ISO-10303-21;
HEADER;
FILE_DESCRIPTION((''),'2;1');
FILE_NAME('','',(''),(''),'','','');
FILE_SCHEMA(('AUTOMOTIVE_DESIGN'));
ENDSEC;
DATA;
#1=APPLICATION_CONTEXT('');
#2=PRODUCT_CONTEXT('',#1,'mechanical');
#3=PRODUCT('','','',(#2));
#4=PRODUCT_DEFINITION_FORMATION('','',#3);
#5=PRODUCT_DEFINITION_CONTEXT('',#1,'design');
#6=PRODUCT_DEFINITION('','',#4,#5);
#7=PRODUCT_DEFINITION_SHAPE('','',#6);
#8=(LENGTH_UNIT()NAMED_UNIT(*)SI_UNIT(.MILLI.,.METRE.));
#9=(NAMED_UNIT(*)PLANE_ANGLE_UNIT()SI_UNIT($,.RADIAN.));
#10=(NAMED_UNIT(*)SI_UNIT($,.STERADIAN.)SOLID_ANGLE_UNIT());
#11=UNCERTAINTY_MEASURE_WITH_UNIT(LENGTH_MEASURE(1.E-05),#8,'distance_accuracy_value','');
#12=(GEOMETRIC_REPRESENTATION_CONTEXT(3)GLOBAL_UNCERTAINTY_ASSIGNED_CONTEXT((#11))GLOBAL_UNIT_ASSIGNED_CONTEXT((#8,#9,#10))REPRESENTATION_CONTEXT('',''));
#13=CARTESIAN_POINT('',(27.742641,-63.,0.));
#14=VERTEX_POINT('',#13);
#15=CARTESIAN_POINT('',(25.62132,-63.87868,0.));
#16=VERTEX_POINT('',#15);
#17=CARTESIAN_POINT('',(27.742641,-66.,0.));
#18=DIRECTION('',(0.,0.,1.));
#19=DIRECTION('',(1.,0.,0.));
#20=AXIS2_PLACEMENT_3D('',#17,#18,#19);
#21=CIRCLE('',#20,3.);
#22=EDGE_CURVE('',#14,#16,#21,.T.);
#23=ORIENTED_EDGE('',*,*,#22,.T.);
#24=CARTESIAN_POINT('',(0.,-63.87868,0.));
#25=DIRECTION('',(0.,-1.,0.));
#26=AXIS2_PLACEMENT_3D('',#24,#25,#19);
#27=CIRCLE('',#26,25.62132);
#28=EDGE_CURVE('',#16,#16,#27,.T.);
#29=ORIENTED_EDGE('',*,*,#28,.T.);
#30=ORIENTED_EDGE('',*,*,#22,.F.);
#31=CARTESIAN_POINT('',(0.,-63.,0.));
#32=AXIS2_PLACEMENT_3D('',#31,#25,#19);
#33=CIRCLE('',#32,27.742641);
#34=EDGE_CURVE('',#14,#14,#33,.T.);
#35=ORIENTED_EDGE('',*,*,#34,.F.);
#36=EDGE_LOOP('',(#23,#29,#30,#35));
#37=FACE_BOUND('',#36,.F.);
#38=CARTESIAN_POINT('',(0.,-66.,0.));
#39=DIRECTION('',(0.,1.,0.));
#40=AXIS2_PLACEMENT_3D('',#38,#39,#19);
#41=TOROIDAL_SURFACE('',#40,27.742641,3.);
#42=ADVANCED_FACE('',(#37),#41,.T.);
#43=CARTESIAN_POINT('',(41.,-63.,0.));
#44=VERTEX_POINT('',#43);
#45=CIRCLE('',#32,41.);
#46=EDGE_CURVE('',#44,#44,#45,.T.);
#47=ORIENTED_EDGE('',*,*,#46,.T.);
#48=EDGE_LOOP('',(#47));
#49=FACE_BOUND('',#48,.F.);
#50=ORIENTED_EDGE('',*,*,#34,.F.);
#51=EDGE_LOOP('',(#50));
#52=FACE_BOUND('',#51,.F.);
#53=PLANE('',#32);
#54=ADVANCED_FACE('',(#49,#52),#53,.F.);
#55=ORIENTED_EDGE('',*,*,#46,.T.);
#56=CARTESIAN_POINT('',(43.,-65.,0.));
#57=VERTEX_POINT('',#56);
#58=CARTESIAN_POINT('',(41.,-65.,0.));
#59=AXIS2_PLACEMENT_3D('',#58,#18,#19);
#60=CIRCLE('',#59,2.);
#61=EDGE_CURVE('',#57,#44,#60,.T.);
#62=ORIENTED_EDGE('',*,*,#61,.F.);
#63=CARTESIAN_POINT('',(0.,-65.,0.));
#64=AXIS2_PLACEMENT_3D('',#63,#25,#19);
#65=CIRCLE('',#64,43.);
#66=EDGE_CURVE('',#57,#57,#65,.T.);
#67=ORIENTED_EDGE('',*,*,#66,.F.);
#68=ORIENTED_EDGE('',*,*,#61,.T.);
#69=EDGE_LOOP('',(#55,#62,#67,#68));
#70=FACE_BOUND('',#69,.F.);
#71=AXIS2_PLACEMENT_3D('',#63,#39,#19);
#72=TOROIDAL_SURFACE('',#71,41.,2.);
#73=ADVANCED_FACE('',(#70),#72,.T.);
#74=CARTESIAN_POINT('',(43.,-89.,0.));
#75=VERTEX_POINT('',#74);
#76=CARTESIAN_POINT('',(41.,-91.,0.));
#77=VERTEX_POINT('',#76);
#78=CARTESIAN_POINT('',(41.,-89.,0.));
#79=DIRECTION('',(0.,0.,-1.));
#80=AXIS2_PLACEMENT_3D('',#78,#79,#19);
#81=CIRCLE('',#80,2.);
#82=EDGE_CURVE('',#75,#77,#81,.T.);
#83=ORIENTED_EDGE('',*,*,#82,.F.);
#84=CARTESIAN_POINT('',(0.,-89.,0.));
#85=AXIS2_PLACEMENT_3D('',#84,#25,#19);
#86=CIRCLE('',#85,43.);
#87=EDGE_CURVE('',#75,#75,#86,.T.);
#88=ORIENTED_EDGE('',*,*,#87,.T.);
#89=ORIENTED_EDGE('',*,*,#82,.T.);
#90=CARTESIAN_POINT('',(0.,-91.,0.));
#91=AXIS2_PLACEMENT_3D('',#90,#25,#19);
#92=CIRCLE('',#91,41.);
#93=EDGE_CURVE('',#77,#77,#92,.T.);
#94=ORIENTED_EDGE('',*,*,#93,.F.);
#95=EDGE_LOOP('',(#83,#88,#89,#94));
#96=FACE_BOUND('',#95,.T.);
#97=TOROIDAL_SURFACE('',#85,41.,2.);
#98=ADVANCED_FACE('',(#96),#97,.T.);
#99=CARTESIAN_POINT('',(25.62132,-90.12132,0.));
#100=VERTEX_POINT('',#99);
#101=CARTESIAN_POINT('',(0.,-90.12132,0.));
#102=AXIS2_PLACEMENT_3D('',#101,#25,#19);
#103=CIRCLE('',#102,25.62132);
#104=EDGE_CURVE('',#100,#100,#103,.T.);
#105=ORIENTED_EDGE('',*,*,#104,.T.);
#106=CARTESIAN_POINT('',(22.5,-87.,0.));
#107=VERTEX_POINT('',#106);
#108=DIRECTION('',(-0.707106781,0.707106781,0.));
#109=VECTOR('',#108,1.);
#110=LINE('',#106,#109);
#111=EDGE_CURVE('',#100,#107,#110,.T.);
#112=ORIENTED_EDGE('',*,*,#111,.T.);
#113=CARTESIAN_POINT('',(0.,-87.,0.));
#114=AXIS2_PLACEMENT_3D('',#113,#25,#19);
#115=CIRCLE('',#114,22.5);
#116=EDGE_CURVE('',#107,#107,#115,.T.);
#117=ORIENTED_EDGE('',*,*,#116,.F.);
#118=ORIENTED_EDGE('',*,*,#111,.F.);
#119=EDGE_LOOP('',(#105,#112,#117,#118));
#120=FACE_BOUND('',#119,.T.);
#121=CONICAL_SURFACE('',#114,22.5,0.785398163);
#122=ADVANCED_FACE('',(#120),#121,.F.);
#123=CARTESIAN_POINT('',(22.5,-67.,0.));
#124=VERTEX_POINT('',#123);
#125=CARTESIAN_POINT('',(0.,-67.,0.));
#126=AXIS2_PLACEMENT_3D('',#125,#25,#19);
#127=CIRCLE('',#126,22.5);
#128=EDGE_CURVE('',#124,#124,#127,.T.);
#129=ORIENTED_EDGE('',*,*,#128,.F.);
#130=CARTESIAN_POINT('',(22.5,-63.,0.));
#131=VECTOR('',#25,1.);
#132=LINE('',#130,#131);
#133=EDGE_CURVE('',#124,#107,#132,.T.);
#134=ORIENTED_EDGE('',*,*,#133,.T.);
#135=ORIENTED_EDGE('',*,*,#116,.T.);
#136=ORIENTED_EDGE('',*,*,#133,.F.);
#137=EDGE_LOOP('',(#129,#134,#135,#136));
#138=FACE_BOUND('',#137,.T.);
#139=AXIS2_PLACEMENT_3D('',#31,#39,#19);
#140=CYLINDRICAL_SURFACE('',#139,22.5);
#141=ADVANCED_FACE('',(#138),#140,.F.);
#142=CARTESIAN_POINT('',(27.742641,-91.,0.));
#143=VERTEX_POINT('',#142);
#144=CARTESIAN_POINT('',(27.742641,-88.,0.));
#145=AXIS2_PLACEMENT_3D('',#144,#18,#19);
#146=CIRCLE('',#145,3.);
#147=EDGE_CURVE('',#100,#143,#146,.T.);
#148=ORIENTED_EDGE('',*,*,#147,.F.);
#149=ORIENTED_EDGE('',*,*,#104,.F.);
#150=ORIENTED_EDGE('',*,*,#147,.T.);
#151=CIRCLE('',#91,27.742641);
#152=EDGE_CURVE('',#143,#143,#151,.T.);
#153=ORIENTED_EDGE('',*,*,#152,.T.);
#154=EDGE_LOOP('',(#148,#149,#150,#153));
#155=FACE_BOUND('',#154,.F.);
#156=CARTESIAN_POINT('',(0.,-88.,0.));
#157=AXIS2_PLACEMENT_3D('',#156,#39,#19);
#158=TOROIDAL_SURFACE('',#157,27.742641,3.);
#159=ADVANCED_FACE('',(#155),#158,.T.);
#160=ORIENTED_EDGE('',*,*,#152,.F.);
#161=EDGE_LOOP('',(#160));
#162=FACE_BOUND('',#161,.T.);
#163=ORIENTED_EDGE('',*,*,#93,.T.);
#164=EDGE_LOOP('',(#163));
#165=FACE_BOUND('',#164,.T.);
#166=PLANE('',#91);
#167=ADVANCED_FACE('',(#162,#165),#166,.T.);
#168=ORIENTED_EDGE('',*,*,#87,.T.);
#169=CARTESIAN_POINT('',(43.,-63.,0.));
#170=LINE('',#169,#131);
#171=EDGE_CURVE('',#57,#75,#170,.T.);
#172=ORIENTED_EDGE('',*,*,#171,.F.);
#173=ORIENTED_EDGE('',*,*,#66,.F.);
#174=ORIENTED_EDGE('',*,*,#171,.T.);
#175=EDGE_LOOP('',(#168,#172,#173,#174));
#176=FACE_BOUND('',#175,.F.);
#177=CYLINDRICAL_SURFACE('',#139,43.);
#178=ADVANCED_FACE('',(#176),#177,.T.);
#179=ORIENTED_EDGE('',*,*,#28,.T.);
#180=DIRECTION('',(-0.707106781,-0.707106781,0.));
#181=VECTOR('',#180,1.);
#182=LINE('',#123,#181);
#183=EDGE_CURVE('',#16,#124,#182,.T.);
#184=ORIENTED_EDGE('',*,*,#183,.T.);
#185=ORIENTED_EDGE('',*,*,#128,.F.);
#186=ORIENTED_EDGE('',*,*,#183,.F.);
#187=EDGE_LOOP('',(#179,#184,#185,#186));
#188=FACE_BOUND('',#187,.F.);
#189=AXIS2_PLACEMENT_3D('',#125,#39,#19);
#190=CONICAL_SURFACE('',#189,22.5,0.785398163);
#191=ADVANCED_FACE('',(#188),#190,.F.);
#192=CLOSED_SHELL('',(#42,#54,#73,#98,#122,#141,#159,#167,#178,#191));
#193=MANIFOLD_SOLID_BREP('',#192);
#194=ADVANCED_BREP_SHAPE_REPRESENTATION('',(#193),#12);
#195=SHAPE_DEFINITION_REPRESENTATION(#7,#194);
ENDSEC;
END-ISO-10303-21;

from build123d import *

# Parameters (mm, degrees)
CYLINDER050_R     = 22.5
CYLINDER050_DEPTH = 28
CYLINDER049_R     = 43
CYLINDER049_DEPTH = 28
FILLET_R          = 2
CHAMFER_SIZE      = 4
FILLET010_R       = 3


with BuildPart() as cylinder050:
    # Cylinder050 → Cylinder050 (new body)
    with BuildSketch(Plane.XZ):
        Circle(CYLINDER050_R)
    extrude(amount=CYLINDER050_DEPTH)


with BuildPart() as wheel_wide_left:
    # Cylinder049 → Cylinder049 (new body)
    with BuildSketch(Plane.XZ):
        Circle(CYLINDER049_R)
    extrude(amount=CYLINDER049_DEPTH)

    # Cut019: cut Cylinder050
    add(cylinder050.part, mode=Mode.SUBTRACT)

    # Fillet
    fillet_edges = [wheel_wide_left.edges().sort_by_distance(p)[0] for p in [
        (-43, -28, 0),
        (-43, 0, 0),
    ]]
    fillet(fillet_edges, radius=FILLET_R)

    # Chamfer
    chamfer_edges = [wheel_wide_left.edges().sort_by_distance(p)[0] for p in [
        (-22.5, 0, 0),
        (-22.5, -28, 0),
    ]]
    chamfer(chamfer_edges, length=CHAMFER_SIZE)

    # Fillet010
    fillet010_edges = [wheel_wide_left.edges().sort_by_distance(p)[0] for p in [
        (-26.5, 0, 0),
        (-26.5, -28, 0),
    ]]
    fillet(fillet010_edges, radius=FILLET010_R)


with BuildPart() as wheel_wide_left_1:
    # Fillet010 placement: moved
    add(wheel_wide_left.part.moved(Location((0, -63, 0))))


solid = wheel_wide_left_1.part
